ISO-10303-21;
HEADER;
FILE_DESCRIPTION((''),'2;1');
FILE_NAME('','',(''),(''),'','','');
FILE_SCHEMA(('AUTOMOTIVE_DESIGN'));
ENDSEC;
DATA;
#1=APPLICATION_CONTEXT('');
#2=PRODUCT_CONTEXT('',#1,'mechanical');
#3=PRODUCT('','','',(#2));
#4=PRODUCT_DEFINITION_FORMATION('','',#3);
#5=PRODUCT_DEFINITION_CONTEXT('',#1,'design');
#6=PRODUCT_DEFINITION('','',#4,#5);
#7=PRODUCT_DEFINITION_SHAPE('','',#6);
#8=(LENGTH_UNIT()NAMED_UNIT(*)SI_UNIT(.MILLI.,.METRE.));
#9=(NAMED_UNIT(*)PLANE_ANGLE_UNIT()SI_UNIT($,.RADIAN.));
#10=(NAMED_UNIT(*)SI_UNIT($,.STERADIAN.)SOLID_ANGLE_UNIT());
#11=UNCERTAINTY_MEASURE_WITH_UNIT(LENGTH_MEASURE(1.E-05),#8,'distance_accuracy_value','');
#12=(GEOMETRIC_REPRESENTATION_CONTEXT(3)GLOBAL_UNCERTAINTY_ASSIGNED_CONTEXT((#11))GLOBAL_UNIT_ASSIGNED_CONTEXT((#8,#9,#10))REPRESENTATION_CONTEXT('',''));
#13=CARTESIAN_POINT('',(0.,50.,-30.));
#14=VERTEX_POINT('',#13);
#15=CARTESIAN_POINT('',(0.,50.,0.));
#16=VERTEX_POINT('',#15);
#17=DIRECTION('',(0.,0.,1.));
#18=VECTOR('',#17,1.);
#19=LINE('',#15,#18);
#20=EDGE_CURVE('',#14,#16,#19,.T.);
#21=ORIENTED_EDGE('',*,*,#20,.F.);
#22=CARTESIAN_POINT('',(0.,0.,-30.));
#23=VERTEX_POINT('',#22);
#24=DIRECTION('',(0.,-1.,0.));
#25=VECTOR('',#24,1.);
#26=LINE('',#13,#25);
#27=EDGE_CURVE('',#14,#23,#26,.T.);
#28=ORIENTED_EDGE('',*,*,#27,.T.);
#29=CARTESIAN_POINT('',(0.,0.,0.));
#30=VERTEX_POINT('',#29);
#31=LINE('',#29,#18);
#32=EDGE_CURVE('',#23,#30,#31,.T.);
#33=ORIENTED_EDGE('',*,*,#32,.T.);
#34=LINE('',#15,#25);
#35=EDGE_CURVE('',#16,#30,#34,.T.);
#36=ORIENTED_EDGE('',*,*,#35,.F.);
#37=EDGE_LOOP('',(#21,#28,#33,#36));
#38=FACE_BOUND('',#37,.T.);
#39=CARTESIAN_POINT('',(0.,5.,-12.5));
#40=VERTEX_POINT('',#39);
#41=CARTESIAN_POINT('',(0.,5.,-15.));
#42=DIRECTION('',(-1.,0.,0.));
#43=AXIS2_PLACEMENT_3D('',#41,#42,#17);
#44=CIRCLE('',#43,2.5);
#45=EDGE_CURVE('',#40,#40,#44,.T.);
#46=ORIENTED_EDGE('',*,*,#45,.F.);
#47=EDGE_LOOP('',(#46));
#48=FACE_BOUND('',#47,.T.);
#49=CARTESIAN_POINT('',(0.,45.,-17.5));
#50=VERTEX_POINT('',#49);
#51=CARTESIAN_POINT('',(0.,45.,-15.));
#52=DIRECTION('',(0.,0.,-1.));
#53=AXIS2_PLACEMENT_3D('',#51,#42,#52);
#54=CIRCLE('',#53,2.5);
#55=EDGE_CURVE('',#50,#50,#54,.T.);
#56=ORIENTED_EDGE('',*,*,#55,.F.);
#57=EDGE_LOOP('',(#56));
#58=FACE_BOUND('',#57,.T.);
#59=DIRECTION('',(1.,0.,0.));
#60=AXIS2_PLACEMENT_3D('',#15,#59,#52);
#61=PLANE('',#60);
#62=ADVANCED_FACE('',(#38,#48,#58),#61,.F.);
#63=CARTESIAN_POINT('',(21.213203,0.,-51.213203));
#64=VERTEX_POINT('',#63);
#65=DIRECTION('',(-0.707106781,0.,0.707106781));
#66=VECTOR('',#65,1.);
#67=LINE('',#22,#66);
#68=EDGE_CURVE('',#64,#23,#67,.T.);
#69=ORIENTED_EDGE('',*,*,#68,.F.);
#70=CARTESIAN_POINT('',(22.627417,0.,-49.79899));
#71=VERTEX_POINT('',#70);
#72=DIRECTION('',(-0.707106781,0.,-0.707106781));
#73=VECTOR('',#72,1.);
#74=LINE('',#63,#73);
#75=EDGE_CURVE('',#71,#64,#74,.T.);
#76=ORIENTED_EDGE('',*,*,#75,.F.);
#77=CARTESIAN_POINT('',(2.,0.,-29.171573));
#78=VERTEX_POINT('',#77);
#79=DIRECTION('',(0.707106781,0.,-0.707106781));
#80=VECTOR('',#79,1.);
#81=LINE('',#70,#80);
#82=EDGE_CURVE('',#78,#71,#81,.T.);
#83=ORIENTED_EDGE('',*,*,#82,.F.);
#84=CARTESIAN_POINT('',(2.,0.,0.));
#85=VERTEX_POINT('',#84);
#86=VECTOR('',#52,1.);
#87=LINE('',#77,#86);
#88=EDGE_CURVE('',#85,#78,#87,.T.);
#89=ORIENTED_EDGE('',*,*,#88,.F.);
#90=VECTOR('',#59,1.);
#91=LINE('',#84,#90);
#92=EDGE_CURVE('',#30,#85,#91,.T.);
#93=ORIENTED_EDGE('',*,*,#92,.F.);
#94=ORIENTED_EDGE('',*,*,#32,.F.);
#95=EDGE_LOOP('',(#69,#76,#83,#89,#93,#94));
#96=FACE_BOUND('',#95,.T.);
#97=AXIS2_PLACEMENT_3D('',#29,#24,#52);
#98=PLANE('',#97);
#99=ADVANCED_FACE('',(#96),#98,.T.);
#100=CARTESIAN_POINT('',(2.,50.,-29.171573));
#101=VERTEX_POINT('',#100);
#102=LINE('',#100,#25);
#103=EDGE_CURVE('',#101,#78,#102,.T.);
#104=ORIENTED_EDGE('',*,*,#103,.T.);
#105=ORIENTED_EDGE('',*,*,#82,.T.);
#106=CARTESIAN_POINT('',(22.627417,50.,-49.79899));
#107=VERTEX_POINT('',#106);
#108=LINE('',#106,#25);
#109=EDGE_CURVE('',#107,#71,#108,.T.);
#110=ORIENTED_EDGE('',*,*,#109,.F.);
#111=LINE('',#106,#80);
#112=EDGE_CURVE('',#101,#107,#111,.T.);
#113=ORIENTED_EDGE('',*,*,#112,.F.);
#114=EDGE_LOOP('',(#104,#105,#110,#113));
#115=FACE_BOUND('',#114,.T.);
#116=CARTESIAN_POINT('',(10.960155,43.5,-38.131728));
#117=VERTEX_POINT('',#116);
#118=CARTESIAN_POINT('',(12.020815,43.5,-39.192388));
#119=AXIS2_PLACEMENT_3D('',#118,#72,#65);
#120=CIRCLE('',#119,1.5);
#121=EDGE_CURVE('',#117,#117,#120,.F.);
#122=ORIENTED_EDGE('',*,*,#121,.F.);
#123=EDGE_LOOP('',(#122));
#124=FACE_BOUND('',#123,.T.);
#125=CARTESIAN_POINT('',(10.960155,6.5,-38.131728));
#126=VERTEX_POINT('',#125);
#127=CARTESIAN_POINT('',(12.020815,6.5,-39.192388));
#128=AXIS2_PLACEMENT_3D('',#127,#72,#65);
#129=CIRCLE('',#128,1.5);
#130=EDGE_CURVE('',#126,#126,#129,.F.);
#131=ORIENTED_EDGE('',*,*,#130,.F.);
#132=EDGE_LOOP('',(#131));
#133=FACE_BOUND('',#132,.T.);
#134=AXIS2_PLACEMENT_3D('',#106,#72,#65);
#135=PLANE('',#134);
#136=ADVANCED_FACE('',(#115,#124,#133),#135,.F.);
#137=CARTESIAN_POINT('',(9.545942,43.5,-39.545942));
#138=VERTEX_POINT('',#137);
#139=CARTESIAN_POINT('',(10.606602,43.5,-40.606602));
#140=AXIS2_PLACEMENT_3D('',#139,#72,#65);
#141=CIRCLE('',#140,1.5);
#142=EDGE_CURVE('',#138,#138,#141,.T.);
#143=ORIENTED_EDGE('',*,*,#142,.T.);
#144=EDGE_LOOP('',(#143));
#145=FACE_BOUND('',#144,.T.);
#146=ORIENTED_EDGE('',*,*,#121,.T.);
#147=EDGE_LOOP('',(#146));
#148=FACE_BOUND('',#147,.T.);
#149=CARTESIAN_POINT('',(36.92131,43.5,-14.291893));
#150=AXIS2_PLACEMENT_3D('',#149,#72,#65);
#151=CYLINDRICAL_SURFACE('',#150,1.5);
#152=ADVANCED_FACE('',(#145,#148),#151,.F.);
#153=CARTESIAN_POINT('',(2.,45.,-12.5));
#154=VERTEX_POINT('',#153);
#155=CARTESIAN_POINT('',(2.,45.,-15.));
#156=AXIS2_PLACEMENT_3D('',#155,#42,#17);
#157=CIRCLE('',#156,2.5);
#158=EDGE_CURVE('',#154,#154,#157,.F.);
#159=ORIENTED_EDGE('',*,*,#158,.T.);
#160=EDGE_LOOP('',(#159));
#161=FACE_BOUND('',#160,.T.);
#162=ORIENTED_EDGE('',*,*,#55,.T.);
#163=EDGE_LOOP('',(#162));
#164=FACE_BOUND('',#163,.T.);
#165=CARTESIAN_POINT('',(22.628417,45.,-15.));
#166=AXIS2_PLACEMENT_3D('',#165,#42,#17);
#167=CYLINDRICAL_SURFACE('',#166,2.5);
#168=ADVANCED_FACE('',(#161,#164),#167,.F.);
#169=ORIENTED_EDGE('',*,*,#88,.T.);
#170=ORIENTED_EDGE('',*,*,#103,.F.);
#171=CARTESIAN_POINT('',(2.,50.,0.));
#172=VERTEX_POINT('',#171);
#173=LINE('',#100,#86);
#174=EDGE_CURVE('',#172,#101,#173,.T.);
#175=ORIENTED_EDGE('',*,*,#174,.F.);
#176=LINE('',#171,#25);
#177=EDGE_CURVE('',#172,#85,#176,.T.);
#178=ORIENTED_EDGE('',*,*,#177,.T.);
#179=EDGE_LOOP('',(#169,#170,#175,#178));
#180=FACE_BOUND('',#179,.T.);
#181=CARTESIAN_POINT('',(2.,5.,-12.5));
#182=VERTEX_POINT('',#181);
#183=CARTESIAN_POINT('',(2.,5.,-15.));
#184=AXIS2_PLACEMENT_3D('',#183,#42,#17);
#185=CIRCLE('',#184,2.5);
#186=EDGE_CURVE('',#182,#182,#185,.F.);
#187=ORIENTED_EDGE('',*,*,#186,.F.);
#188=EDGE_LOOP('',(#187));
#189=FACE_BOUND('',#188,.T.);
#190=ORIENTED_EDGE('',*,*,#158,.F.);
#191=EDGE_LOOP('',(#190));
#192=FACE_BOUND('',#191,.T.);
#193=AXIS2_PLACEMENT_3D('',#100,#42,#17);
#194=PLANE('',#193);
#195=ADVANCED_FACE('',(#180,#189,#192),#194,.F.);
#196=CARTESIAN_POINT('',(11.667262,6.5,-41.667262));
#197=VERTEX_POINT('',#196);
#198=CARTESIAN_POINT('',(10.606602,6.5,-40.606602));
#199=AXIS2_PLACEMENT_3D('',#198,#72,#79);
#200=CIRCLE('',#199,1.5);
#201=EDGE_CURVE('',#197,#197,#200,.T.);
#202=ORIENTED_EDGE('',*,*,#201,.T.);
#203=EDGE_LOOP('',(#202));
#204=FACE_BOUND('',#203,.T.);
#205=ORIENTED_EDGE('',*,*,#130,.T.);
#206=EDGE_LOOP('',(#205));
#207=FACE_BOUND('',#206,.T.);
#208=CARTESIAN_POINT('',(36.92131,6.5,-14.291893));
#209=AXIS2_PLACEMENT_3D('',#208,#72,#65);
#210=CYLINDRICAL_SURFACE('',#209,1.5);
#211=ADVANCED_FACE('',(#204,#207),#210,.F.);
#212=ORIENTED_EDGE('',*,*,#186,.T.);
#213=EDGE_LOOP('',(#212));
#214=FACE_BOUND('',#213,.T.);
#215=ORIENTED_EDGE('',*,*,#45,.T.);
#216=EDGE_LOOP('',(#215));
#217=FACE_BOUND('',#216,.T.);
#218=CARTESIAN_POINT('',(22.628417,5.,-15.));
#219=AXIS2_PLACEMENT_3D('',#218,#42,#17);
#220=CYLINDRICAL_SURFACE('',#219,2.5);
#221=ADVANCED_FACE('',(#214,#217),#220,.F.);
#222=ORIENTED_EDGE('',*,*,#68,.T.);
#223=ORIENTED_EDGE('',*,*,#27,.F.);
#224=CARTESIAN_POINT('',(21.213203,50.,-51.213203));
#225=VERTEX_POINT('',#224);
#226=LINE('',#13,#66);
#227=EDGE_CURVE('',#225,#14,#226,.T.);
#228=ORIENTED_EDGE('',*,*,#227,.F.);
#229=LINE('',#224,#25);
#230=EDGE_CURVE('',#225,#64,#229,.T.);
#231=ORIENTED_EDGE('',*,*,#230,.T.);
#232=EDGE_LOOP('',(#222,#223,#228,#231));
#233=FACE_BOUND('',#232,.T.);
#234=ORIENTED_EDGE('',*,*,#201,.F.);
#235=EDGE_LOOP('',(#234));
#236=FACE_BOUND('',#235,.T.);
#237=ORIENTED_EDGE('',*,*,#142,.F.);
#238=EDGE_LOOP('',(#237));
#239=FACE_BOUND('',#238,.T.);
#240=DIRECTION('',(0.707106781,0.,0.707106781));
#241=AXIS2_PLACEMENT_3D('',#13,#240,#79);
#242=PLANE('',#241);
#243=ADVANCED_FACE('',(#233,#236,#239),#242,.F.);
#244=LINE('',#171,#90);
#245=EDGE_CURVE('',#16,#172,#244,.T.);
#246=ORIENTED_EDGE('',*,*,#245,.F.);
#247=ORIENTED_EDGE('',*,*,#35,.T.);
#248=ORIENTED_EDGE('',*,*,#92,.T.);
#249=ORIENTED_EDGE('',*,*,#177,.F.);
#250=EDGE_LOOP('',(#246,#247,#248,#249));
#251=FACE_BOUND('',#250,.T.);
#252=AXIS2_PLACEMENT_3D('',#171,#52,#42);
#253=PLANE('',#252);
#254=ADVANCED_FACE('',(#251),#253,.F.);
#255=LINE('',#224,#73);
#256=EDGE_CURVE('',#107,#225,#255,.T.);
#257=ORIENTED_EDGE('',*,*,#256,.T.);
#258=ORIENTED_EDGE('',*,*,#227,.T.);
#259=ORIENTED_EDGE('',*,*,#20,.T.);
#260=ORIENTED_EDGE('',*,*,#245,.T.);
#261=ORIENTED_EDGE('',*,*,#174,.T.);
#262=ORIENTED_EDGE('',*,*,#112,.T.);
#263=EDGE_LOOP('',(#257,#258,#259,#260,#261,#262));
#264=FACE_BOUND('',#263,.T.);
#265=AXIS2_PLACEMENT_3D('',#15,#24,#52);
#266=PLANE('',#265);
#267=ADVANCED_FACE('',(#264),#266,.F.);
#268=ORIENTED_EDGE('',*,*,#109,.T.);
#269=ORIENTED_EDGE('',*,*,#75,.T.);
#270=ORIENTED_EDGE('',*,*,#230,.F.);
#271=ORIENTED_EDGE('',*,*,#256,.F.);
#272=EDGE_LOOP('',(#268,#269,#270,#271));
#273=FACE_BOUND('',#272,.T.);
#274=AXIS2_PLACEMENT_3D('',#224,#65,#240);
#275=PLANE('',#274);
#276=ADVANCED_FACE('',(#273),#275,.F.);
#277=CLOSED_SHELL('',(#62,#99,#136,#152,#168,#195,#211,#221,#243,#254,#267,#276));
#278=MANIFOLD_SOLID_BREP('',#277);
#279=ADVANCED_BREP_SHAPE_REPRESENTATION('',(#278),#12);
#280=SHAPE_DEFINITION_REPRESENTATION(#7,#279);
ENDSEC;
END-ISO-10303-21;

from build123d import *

# Parameters (mm, degrees)
EXTRUSION1_DEPTH = 50
EXTRUSION2_REACH = 24.627
ESQUISSE3_R      = 2.5
EXTRUSION3_REACH = 39.213
ESQUISSE4_R      = 1.5


with BuildPart() as part:
    # Esquisse1 → Extrusion1 (new body)
    with BuildSketch(Plane(origin=(0, 0, 0), x_dir=(1, 0, 0), z_dir=(0, 1, 0))):
        Polygon((0, 0), (0, 30), (21.213203436, 51.213203436), (22.627416998, 49.798989873), (2, 29.171572875), (2, 0), align=None)
    extrude(amount=EXTRUSION1_DEPTH)

    # Esquisse3 → Extrusion2 (cut, up to next)
    with BuildSketch(Plane.ZY, mode=Mode.PRIVATE) as extrusion2_sk1:
        with Locations((-15, 5)):
            Circle(ESQUISSE3_R)
    extrusion2_tool1 = extrude(extrusion2_sk1.sketch, amount=-EXTRUSION2_REACH, mode=Mode.PRIVATE) & part.part
    add(extrusion2_tool1.solids().sort_by_distance((0, 5, -15))[0], mode=Mode.SUBTRACT)
    # Esquisse3 → Extrusion2 (cut, up to next)
    with BuildSketch(Plane.ZY, mode=Mode.PRIVATE) as extrusion2_sk2:
        with Locations((-15, 45)):
            Circle(ESQUISSE3_R)
    extrusion2_tool2 = extrude(extrusion2_sk2.sketch, amount=-EXTRUSION2_REACH, mode=Mode.PRIVATE) & part.part
    add(extrusion2_tool2.solids().sort_by_distance((0, 45, -15))[0], mode=Mode.SUBTRACT)

    # Esquisse4 → Extrusion3 (cut, up to next)
    with BuildSketch(Plane(origin=(-15, 0, -15), x_dir=(-0.707106781, 0, 0.707106781), z_dir=(-0.707106781, 0, -0.707106781)), mode=Mode.PRIVATE) as extrusion3_sk1:
        with Locations((-36.213203436, 43.5)):
            Circle(ESQUISSE4_R)
    extrusion3_tool1 = extrude(extrusion3_sk1.sketch, amount=-EXTRUSION3_REACH, mode=Mode.PRIVATE) & part.part
    add(extrusion3_tool1.solids().sort_by_distance((10.606602, 43.5, -40.606602))[0], mode=Mode.SUBTRACT)
    # Esquisse4 → Extrusion3 (cut, up to next)
    with BuildSketch(Plane(origin=(-15, 0, -15), x_dir=(-0.707106781, 0, 0.707106781), z_dir=(-0.707106781, 0, -0.707106781)), mode=Mode.PRIVATE) as extrusion3_sk2:
        with Locations((-36.213203436, 6.5)):
            Circle(ESQUISSE4_R)
    extrusion3_tool2 = extrude(extrusion3_sk2.sketch, amount=-EXTRUSION3_REACH, mode=Mode.PRIVATE) & part.part
    add(extrusion3_tool2.solids().sort_by_distance((10.606602, 6.5, -40.606602))[0], mode=Mode.SUBTRACT)


solid = part.part
